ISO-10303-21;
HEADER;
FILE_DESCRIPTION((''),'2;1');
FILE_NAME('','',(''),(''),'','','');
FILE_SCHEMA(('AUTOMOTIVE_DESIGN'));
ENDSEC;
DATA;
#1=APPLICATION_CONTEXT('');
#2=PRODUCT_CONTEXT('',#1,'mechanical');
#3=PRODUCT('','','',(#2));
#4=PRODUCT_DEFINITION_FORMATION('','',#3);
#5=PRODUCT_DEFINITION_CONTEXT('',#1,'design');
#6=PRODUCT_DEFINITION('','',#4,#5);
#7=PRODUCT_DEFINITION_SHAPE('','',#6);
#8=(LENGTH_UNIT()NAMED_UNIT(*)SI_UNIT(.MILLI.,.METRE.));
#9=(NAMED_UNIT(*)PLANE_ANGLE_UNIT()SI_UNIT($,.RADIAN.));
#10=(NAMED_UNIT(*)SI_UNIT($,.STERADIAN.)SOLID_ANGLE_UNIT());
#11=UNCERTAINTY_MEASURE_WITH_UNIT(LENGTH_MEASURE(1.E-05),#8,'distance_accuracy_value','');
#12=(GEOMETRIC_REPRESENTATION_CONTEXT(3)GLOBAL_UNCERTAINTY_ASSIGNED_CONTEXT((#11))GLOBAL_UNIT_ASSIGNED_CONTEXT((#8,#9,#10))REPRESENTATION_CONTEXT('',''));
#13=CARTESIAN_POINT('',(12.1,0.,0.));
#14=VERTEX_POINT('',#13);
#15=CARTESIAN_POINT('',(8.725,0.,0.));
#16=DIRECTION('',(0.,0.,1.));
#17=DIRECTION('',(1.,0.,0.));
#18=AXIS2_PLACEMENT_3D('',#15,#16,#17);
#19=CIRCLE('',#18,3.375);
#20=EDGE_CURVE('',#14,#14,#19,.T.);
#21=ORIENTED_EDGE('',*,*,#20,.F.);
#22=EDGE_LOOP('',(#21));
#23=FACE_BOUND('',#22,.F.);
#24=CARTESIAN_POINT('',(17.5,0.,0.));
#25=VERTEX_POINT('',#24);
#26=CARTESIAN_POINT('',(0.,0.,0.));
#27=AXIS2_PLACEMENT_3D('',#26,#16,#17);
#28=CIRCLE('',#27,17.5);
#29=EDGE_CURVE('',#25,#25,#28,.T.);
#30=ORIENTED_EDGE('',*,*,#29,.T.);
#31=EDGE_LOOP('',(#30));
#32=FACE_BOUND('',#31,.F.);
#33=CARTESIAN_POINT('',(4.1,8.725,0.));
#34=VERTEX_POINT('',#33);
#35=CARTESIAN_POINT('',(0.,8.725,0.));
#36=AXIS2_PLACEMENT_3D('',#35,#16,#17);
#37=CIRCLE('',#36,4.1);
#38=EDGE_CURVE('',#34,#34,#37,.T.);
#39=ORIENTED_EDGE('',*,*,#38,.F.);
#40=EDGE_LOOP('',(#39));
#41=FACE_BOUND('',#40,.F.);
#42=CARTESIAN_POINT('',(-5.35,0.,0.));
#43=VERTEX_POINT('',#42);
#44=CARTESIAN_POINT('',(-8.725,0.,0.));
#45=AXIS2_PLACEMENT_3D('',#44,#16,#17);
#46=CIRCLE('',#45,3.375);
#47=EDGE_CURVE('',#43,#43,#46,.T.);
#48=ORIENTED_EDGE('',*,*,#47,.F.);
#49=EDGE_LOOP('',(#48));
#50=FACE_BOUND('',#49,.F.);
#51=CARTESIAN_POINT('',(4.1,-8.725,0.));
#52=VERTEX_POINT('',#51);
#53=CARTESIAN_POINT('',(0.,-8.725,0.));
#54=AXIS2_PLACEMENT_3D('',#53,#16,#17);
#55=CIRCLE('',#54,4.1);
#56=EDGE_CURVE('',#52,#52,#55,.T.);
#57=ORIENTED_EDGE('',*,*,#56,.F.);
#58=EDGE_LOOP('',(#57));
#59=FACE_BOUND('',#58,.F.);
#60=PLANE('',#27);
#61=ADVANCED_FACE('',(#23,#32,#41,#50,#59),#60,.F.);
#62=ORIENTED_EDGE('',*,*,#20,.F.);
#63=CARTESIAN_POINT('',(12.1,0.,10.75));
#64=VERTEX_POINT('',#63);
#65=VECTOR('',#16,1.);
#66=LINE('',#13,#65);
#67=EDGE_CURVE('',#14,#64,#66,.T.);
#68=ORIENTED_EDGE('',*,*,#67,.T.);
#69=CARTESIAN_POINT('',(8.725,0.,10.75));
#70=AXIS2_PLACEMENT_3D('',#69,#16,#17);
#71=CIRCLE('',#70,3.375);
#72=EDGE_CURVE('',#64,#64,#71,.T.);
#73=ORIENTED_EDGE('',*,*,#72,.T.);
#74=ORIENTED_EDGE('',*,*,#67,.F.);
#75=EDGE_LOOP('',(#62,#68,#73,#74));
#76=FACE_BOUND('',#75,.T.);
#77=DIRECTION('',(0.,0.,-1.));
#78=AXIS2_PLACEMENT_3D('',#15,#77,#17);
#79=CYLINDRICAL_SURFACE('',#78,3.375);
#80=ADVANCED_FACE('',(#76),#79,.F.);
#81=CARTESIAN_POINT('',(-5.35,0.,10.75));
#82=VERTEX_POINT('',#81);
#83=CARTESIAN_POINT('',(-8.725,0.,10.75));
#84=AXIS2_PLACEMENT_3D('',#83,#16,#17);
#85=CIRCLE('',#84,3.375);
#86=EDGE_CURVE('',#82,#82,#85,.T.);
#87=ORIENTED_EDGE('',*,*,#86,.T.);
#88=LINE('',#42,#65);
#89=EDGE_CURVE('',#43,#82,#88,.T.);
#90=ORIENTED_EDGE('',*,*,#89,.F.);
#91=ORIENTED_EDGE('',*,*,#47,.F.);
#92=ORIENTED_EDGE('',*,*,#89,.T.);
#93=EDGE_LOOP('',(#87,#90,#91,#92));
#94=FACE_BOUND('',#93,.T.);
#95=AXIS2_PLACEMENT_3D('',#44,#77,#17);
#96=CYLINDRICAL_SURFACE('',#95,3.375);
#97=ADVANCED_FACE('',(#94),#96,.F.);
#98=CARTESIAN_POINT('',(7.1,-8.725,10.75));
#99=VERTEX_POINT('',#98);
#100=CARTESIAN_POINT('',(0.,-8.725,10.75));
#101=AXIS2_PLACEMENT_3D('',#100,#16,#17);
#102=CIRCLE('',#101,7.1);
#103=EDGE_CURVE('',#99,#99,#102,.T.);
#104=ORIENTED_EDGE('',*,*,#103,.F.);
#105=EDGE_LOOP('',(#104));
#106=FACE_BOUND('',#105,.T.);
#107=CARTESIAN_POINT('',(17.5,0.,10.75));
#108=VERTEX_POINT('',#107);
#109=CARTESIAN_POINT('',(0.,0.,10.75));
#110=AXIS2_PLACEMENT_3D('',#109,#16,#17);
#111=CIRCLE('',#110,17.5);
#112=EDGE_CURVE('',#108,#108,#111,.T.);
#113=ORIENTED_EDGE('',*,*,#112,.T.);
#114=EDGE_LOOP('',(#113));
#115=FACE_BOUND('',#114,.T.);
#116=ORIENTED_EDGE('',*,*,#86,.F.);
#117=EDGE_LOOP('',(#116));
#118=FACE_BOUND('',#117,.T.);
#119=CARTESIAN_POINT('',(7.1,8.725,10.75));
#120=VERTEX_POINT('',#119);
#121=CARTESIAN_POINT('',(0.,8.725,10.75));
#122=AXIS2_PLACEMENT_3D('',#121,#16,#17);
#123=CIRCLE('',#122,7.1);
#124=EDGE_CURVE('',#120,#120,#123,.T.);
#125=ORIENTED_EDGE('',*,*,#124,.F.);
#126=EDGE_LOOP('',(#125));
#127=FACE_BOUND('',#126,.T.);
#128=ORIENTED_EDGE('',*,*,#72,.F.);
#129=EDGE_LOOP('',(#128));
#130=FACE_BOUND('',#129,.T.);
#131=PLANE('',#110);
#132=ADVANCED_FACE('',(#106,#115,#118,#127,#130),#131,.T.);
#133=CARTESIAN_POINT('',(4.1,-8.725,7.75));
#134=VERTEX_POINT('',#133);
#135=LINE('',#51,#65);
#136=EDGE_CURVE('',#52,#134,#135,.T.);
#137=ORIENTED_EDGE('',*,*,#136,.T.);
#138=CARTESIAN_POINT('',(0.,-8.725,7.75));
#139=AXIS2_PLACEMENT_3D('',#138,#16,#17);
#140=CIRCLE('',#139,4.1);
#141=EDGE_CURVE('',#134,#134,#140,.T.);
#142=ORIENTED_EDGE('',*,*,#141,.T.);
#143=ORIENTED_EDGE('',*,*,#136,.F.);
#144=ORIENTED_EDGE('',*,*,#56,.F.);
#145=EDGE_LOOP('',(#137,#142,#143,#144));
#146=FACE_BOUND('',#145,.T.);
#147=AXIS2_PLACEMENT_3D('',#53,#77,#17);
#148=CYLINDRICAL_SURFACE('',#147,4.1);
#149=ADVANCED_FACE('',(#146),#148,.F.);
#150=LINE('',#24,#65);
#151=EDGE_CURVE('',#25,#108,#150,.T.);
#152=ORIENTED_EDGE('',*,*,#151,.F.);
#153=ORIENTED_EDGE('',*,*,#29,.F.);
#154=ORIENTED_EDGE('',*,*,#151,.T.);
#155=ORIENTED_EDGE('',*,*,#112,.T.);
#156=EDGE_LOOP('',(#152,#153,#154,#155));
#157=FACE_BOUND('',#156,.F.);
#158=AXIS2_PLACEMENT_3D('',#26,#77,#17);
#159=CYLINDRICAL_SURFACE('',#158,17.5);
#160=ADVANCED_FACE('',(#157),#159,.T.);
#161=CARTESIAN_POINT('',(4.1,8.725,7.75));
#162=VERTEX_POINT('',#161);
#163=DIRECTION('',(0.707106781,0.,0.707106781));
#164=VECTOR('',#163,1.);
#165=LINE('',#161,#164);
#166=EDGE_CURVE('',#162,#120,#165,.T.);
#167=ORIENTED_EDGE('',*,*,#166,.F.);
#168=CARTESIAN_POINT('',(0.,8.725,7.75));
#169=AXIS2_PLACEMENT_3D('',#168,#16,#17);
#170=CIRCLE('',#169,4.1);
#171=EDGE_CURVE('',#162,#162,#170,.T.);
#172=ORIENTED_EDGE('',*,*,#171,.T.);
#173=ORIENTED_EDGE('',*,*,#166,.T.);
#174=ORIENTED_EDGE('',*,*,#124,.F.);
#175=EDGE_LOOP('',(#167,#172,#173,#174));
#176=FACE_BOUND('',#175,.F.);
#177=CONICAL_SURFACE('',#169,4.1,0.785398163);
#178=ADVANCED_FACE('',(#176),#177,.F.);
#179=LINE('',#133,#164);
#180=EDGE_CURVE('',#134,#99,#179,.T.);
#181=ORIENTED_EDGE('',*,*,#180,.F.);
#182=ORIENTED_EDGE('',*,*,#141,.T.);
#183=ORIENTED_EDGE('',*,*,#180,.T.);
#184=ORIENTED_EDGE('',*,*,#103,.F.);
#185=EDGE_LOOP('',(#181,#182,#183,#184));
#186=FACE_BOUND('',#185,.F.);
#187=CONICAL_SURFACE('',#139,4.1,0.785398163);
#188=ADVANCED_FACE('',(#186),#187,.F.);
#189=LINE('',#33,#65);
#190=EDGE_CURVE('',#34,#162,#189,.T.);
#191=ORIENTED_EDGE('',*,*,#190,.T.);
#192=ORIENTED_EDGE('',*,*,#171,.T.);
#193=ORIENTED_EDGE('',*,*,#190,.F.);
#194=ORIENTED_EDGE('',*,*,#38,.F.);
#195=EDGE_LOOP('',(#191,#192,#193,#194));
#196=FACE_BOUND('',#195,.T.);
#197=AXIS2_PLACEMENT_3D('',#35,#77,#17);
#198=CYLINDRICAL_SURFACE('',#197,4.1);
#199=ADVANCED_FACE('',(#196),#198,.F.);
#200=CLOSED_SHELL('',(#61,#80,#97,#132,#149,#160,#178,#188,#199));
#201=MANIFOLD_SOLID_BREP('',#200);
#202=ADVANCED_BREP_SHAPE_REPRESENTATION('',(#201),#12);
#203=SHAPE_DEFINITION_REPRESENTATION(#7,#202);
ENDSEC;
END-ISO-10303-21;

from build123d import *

# Parameters (mm, degrees)
F0_R     = 17.5
F0_R_2   = 4.1
F0_R_3   = 3.375
F1_DEPTH = 10.75
F2_SIZE  = 3


with BuildPart() as f1:
    # F0 (on Top) → F1 (new body)
    with BuildSketch(Plane.XY):
        Circle(F0_R)
        with Locations((0, -8.725)):
            Circle(F0_R_2, mode=Mode.SUBTRACT)
        with Locations((-8.725, 0)):
            Circle(F0_R_3, mode=Mode.SUBTRACT)
        with Locations((8.725, 0)):
            Circle(F0_R_3, mode=Mode.SUBTRACT)
        with Locations((0, 8.725)):
            Circle(F0_R_2, mode=Mode.SUBTRACT)
    extrude(amount=F1_DEPTH)

    # F2
    f2_edges = [f1.edges().sort_by_distance(p)[0] for p in [
        (-4.1, 8.725, 10.75),
        (-4.1, -8.725, 10.75),
    ]]
    chamfer(f2_edges, length=F2_SIZE)


solid = f1.part
